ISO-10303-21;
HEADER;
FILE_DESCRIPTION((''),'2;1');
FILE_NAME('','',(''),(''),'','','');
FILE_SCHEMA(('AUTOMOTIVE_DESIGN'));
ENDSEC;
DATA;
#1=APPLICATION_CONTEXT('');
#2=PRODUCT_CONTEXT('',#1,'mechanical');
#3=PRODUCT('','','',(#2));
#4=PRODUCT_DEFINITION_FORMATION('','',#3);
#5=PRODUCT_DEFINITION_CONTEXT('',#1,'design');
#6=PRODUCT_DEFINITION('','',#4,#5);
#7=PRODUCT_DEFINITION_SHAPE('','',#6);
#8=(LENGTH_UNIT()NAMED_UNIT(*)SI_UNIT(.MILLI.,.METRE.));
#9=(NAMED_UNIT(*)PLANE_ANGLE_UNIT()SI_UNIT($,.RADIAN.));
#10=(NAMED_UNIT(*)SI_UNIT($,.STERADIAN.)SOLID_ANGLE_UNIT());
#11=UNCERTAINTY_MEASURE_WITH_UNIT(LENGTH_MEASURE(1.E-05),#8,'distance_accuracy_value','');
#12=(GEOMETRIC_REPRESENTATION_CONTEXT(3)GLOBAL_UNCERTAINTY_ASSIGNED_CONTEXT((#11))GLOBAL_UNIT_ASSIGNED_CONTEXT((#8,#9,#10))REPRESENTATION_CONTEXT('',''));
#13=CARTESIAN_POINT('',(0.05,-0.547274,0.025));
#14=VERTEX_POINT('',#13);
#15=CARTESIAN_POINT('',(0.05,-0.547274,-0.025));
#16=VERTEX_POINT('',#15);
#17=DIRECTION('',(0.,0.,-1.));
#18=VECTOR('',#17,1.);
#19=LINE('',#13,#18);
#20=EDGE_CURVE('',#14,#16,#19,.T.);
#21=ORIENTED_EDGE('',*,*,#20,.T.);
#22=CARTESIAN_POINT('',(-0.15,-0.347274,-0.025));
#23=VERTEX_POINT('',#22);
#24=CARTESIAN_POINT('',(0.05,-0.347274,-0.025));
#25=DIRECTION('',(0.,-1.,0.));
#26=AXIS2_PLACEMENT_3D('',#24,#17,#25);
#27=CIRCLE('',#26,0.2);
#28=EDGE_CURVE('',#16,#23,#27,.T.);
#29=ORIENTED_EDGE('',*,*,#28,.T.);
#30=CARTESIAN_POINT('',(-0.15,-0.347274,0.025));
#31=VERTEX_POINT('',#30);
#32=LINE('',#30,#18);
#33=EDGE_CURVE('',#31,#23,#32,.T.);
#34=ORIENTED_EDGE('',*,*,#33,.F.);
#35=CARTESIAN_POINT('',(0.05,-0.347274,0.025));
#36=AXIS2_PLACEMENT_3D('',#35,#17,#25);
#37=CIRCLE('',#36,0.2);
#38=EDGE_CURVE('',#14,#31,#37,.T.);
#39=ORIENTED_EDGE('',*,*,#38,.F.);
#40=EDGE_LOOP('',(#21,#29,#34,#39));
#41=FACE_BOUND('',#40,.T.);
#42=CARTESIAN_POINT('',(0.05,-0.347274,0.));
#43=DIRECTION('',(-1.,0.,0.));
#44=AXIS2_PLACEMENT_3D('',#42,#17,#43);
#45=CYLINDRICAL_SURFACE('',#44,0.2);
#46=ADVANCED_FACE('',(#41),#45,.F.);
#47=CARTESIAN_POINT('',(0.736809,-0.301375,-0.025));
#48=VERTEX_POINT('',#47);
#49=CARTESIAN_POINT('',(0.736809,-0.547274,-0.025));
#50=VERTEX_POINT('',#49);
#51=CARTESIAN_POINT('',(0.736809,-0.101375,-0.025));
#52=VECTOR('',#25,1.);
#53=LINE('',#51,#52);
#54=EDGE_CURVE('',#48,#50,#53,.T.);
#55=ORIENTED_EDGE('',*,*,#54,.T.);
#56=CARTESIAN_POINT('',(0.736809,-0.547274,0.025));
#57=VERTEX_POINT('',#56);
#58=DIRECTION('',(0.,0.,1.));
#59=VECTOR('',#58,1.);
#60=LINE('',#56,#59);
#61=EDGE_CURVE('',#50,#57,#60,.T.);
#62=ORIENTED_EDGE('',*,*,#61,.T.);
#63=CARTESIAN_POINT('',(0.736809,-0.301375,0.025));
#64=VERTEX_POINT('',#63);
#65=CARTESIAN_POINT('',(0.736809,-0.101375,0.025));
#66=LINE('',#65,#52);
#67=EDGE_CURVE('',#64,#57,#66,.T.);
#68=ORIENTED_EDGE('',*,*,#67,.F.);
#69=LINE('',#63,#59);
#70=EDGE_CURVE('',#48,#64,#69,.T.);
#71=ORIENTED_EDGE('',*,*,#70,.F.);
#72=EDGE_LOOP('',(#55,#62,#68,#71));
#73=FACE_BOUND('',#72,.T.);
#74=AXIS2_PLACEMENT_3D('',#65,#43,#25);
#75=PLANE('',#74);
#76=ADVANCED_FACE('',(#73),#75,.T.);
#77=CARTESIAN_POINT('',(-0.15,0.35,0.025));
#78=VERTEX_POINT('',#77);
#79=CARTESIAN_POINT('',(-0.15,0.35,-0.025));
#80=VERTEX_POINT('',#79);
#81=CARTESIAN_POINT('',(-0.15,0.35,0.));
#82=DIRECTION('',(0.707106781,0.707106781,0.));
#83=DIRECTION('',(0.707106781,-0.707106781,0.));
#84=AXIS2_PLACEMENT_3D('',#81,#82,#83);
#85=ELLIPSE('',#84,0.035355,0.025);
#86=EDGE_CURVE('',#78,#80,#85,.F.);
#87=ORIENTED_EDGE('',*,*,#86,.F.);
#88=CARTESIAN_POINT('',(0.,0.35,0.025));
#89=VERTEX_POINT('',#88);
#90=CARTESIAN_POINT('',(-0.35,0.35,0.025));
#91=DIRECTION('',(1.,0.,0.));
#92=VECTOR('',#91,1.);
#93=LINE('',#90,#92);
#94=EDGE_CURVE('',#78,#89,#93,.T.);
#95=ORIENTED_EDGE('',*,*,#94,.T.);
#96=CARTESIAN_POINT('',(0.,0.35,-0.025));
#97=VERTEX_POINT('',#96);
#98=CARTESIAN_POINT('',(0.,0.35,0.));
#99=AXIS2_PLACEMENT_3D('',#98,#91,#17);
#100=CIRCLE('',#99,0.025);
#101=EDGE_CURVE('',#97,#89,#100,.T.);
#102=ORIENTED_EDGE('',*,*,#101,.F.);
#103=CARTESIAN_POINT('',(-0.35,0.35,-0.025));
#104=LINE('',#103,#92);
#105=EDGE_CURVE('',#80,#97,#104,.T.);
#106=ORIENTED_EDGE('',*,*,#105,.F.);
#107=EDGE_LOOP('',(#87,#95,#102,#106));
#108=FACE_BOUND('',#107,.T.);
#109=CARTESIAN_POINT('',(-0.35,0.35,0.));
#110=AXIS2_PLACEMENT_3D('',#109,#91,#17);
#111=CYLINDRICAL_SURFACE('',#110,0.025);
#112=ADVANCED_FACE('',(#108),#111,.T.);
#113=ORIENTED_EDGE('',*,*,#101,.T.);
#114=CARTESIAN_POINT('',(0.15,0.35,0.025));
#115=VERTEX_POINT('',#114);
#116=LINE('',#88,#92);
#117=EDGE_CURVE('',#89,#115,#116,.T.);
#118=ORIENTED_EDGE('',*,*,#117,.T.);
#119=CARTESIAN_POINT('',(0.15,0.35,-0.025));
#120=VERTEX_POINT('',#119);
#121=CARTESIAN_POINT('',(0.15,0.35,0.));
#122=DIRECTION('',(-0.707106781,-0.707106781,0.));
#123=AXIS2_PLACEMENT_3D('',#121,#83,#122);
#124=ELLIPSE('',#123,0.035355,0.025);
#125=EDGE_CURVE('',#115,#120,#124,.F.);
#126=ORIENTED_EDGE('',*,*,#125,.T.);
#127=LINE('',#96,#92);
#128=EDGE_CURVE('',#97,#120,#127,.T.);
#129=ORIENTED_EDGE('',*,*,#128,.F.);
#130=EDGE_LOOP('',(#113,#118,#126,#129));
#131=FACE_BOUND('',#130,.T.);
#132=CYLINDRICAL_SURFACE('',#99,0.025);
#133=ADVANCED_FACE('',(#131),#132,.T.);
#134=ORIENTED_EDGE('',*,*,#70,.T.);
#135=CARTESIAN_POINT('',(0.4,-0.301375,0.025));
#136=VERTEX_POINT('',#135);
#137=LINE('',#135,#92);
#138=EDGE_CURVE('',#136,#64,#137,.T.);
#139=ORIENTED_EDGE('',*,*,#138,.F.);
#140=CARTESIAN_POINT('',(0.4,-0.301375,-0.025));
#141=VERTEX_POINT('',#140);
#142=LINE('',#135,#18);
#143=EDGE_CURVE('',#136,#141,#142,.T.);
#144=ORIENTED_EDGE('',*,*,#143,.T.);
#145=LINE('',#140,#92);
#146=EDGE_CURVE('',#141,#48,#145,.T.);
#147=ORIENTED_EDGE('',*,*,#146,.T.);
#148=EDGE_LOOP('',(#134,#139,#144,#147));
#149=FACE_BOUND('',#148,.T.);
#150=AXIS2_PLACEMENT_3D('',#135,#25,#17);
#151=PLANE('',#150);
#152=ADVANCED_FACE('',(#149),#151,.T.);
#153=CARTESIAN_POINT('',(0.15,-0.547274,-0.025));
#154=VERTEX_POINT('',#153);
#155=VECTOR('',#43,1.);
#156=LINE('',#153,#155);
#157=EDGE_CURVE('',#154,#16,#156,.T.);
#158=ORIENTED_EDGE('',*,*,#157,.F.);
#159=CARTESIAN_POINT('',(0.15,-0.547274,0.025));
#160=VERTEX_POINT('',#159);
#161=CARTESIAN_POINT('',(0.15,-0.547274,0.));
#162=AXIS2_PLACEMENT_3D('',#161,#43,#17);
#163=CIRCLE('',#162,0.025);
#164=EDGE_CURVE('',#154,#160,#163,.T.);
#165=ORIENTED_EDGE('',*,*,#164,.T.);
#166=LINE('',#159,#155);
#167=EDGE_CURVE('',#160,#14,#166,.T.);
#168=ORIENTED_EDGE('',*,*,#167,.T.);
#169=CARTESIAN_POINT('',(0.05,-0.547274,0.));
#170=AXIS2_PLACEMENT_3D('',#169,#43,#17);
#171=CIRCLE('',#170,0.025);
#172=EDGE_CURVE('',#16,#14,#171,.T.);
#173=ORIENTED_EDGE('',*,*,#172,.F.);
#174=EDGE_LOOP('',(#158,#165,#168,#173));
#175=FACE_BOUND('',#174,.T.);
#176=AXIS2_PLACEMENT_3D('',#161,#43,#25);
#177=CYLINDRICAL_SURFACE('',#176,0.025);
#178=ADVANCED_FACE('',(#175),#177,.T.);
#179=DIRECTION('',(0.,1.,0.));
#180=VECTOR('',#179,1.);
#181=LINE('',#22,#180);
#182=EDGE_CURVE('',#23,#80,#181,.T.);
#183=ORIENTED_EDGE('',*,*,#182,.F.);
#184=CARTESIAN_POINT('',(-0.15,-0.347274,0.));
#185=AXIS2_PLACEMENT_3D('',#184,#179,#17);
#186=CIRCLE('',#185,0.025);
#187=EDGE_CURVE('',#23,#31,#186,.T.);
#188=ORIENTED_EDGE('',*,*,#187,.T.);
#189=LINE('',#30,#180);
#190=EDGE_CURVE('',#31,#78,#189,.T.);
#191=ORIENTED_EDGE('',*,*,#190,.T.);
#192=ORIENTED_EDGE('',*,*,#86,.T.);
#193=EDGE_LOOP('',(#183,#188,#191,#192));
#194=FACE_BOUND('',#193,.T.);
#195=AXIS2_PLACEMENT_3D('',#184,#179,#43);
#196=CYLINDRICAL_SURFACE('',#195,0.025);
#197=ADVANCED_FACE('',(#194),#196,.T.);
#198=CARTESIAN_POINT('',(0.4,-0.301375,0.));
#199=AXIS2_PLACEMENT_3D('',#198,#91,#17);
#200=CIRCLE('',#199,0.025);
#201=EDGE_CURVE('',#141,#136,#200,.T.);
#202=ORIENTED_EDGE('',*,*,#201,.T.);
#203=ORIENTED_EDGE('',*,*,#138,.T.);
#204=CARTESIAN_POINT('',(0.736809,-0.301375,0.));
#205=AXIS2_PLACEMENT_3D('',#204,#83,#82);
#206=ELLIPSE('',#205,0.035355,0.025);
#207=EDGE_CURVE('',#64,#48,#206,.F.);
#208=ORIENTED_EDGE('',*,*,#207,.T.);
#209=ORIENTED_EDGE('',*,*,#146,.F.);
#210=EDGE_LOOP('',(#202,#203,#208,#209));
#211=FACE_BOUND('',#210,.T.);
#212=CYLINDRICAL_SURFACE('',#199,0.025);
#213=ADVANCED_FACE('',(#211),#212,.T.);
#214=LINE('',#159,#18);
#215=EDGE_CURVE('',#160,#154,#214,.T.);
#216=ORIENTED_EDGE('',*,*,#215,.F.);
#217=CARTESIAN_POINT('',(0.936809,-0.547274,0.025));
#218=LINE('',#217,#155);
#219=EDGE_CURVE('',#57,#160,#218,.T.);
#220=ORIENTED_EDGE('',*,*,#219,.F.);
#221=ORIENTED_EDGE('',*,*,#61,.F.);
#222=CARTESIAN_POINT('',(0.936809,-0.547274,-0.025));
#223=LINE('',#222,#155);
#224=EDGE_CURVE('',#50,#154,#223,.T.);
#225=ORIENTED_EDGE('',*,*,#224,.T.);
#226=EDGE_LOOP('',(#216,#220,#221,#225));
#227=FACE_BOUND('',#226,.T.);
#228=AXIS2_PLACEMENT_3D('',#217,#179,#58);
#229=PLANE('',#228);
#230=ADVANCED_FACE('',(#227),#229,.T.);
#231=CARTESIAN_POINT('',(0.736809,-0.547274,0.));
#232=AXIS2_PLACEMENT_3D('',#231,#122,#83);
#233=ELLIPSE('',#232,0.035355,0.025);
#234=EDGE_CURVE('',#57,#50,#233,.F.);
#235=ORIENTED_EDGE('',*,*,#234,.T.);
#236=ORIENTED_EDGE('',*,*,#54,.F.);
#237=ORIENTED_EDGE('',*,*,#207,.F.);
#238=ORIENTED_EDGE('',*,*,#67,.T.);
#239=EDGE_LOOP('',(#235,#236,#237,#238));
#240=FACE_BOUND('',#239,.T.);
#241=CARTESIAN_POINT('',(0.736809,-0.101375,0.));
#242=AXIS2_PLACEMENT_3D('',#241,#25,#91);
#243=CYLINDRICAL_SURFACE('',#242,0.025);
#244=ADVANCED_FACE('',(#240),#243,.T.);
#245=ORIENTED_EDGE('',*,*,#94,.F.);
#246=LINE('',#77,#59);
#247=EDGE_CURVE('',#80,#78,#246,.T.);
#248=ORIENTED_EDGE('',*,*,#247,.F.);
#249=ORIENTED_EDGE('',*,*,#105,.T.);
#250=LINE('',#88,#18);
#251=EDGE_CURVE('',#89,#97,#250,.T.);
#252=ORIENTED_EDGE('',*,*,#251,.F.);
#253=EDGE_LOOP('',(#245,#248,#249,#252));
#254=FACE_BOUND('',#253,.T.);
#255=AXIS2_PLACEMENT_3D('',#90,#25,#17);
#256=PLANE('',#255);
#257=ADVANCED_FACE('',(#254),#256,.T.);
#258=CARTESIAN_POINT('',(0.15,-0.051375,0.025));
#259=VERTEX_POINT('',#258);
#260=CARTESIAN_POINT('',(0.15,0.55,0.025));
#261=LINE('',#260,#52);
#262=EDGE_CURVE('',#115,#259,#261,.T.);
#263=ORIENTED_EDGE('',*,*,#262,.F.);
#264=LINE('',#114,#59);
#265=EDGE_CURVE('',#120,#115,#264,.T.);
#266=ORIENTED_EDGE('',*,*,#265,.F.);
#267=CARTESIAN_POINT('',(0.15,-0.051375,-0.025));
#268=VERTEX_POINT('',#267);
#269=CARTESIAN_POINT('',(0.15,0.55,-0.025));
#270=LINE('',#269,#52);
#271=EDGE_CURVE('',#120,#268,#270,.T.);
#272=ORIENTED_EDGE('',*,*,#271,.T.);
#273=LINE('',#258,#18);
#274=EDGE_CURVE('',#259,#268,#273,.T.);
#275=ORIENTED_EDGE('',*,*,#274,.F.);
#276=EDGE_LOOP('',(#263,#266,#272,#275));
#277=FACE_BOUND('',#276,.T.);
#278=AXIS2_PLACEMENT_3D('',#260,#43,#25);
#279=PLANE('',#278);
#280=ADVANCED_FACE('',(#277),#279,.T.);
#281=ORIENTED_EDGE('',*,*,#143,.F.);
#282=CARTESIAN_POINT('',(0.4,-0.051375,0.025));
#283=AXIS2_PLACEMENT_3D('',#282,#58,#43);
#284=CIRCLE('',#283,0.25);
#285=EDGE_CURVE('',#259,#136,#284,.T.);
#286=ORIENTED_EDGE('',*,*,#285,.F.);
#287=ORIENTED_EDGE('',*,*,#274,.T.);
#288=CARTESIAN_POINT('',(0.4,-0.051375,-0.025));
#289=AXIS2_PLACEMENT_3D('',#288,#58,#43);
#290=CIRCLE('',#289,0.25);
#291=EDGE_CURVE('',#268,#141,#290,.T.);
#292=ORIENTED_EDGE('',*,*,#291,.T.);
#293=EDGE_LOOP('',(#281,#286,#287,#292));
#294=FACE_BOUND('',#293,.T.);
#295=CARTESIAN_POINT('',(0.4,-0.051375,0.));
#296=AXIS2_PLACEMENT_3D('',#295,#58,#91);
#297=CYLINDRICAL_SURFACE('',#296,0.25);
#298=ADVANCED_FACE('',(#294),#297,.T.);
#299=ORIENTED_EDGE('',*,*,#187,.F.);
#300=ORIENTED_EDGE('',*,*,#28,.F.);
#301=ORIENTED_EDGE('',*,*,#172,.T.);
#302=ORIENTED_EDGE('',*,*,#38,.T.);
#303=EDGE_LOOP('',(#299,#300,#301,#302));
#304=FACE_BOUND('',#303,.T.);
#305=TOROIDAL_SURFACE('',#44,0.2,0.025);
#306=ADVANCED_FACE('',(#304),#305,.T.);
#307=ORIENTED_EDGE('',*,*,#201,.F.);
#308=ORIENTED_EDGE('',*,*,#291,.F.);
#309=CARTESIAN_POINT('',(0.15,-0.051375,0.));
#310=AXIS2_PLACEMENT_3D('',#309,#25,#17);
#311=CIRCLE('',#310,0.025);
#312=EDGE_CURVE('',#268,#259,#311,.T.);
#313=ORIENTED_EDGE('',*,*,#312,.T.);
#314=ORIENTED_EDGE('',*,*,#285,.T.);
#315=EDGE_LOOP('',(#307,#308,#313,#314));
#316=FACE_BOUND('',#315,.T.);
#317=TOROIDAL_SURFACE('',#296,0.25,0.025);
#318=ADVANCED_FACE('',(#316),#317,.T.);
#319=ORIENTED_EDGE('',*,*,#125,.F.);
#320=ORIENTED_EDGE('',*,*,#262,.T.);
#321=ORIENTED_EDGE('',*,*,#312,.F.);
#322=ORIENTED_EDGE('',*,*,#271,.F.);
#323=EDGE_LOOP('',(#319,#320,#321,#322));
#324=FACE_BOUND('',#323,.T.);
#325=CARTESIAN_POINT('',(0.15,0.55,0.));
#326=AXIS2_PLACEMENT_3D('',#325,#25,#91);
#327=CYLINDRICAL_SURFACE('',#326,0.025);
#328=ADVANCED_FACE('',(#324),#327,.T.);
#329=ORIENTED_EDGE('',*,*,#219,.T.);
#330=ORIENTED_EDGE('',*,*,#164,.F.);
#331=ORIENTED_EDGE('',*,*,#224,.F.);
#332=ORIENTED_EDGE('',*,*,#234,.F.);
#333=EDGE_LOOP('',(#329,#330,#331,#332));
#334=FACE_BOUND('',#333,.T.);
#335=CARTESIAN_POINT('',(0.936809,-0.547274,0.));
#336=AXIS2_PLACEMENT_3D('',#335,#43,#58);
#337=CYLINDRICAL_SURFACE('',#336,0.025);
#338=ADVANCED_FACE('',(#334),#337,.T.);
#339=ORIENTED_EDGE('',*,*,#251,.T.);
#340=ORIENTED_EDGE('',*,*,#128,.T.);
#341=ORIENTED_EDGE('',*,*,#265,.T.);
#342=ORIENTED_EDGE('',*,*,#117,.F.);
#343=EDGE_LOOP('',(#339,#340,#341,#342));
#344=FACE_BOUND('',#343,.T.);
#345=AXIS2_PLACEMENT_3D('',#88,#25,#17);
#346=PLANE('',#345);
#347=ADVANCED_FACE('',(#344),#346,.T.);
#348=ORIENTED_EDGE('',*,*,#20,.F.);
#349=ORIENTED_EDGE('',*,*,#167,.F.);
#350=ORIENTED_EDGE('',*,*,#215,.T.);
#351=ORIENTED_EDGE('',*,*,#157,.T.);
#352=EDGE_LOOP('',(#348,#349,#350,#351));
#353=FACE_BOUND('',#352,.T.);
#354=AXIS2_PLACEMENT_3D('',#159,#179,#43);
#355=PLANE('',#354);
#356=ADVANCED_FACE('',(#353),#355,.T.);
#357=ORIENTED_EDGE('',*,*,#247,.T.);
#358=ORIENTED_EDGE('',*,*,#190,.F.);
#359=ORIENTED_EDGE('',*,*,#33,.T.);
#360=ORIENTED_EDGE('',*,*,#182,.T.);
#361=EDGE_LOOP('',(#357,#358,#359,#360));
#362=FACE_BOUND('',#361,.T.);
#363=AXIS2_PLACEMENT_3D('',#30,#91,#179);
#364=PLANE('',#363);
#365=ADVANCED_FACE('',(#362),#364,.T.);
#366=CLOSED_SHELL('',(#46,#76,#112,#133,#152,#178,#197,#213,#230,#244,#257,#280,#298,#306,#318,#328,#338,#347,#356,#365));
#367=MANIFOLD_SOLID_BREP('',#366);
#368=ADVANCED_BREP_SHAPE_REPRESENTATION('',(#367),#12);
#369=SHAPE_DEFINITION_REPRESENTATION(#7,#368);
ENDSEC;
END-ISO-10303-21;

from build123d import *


with BuildPart() as part:
    # Sweep1: sweep along a path in Sketch2
    with BuildLine(Plane.XY) as sweep1_path:
        Line((-0.15, 0.35), (0.15, 0.35))
        Line((0.15, 0.35), (0.15, -0.051374847))
        ThreePointArc((0.15, -0.051374847), (0.223223305, -0.228151543), (0.4, -0.301374847))
        Line((0.4, -0.301374847), (0.736808624, -0.301374847))
        Line((0.736808624, -0.301374847), (0.736808624, -0.547273546))
        Line((0.736808624, -0.547273546), (0.15, -0.547273546))
        Line((0.15, -0.547273546), (0.05, -0.547273546))
        ThreePointArc((0.05, -0.547273546), (-0.091421356, -0.488694902), (-0.15, -0.347273546))
        Line((-0.15, -0.347273546), (-0.15, 0.35))
    # Sketch1 → Sweep1 (sweep)
    with BuildSketch(Plane(origin=(0, 0, 0), x_dir=(0, 0, -1), z_dir=(1, 0, 0))):
        with BuildLine():
            Line((-0.025, 0.35), (0.025, 0.35))
            ThreePointArc((0.025, 0.35), (0, 0.375), (-0.025, 0.35))
        make_face()
    sweep(path=sweep1_path.line, transition=Transition.RIGHT)


solid = part.part
